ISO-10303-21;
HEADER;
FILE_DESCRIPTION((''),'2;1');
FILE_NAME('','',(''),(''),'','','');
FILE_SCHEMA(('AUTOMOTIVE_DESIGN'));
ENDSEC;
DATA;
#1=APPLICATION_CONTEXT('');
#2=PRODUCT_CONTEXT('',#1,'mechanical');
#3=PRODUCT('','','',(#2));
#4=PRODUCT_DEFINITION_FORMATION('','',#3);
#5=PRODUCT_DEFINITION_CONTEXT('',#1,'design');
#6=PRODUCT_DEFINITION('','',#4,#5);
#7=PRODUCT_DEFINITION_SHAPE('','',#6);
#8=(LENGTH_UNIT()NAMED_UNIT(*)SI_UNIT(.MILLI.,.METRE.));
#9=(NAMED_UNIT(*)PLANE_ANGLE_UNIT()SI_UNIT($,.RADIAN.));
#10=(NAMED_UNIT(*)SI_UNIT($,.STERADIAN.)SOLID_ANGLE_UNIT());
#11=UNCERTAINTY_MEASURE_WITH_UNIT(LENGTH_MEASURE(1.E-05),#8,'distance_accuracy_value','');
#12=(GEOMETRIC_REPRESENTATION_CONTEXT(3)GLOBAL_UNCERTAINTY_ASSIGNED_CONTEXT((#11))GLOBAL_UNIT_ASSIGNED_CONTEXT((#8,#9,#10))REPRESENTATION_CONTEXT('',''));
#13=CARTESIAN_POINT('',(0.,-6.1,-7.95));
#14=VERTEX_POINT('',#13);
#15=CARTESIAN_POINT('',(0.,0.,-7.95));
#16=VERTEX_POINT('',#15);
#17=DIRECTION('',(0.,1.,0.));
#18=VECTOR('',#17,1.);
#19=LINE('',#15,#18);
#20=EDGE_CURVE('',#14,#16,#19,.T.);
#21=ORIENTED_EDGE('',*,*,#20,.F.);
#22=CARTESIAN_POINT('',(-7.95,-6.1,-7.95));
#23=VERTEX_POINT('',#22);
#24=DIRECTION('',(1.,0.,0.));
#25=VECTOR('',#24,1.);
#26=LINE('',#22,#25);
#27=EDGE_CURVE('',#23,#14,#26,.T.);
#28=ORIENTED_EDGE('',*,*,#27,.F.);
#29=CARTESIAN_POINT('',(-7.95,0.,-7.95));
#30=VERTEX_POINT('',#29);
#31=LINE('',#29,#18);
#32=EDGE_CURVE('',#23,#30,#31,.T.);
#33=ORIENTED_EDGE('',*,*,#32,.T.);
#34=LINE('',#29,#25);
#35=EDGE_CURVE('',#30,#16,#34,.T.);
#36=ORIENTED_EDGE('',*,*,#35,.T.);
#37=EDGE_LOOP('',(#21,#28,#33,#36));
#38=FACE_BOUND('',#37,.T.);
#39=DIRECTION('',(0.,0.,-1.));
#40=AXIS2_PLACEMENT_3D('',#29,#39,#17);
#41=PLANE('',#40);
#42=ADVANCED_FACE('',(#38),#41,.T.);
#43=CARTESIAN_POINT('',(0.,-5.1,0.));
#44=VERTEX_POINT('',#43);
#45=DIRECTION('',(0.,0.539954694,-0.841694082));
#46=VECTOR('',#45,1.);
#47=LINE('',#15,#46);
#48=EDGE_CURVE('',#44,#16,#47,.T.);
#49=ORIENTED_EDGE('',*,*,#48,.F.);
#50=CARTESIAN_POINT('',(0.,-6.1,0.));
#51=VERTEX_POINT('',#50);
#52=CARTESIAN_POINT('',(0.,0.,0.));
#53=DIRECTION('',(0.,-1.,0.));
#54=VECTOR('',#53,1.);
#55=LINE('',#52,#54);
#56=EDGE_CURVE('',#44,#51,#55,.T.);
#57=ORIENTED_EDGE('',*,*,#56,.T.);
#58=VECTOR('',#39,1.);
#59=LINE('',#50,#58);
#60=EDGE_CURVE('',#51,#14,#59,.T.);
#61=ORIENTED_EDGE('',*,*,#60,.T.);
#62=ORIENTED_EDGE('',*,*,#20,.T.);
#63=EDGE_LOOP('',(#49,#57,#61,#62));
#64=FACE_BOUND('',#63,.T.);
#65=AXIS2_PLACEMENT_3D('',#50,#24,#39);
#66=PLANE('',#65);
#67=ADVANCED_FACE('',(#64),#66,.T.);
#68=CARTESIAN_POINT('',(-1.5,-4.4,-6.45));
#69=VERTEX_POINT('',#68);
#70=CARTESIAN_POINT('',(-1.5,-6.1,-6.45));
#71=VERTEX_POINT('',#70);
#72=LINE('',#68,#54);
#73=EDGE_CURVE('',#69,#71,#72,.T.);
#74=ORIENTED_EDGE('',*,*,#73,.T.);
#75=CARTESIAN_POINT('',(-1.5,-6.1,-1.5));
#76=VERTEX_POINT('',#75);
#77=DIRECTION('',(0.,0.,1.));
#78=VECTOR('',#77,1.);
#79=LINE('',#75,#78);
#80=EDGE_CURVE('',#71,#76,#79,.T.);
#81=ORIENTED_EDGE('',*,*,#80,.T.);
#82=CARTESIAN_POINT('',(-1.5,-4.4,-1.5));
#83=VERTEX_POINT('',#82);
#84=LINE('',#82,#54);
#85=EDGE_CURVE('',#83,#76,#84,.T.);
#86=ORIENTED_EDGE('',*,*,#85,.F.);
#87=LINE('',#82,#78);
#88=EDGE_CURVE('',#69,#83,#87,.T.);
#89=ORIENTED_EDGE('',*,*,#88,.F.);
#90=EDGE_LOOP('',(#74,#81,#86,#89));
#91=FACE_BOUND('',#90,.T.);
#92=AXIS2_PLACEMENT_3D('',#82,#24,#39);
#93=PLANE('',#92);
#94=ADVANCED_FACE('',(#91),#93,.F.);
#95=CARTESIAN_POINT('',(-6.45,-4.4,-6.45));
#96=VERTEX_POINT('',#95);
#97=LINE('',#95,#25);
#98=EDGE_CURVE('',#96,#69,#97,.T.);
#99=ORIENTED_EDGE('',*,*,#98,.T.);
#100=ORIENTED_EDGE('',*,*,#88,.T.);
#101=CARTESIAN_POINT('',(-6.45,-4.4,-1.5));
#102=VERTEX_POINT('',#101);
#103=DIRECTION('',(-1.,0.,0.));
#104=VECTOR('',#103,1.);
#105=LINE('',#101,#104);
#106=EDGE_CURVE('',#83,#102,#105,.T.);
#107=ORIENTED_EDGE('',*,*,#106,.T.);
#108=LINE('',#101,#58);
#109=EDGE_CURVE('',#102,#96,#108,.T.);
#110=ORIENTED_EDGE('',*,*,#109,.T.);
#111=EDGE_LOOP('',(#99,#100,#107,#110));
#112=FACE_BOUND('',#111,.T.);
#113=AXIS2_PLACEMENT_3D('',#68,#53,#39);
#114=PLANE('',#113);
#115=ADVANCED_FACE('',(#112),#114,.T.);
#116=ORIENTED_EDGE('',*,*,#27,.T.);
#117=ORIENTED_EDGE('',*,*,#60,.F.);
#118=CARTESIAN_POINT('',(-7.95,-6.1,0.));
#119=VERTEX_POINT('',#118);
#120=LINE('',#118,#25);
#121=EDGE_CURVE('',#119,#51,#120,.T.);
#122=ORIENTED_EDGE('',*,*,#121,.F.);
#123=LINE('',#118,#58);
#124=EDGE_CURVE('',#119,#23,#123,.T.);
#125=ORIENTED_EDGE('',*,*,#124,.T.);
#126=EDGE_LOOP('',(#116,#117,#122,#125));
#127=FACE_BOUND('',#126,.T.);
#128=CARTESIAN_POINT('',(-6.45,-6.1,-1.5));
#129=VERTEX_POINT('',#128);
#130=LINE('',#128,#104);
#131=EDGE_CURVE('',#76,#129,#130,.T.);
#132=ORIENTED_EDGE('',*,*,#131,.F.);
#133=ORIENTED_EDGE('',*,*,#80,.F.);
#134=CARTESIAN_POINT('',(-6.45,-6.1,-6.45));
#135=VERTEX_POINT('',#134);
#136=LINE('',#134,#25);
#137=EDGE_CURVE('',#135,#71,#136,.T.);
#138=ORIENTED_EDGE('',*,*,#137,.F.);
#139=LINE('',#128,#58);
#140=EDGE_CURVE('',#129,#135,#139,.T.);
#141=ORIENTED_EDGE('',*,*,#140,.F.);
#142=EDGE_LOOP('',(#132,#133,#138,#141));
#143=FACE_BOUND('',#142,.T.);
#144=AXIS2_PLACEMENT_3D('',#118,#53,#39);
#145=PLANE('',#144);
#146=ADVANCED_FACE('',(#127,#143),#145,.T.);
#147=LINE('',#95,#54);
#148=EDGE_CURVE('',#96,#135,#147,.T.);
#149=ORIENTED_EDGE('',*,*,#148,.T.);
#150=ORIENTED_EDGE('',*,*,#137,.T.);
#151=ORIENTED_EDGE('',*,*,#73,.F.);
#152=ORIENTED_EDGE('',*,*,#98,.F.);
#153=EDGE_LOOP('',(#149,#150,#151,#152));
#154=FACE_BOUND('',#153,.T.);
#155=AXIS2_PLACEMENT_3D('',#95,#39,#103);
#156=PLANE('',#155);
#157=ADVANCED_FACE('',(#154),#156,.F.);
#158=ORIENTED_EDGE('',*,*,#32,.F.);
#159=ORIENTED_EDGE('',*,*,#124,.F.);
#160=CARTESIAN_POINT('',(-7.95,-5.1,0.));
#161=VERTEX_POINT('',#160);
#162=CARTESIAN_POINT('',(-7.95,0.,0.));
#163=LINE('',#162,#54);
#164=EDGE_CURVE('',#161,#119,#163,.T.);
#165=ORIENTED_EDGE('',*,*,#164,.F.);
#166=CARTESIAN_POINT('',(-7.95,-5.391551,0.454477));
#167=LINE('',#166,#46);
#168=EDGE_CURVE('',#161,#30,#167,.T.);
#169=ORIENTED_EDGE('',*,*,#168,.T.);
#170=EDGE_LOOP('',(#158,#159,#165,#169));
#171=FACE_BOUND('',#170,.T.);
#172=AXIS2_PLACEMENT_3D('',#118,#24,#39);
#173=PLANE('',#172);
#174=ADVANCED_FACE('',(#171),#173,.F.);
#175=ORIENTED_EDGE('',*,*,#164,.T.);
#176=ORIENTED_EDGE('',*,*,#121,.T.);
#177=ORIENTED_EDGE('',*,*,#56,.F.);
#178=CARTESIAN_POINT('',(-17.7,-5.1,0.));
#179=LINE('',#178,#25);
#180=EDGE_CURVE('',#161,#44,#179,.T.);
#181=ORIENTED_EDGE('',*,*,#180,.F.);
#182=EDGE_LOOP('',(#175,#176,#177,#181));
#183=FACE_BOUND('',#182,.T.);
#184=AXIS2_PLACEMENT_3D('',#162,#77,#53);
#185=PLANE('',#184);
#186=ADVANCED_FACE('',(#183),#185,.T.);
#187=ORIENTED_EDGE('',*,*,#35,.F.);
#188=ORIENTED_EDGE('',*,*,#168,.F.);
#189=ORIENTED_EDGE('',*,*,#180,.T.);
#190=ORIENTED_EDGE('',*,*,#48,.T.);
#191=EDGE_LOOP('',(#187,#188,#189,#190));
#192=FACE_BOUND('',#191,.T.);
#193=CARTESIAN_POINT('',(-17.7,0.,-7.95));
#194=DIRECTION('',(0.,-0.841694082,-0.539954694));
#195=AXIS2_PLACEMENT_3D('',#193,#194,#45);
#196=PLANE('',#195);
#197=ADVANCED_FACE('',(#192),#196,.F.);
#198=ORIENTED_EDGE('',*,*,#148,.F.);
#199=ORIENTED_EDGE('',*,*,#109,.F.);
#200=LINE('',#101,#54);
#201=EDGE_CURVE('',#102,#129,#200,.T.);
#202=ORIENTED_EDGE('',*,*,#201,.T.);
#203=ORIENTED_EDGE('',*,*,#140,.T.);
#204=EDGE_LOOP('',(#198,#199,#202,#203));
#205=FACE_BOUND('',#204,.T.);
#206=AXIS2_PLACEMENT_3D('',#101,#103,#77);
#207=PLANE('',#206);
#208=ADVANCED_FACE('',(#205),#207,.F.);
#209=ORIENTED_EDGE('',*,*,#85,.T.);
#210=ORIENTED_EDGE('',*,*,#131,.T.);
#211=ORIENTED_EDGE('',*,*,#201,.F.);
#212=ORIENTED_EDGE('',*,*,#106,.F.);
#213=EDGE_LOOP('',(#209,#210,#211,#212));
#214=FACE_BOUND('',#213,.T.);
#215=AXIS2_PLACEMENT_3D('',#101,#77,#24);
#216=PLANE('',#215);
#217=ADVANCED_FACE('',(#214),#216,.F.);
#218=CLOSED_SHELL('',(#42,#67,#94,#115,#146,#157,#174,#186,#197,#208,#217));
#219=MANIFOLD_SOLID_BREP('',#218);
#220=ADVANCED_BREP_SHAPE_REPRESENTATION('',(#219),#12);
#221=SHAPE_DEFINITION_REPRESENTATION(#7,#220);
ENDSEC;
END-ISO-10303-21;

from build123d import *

# Parameters (mm, degrees)
SKETCH1_W           = 7.95
SKETCH1_H           = 6.1
BOSS_EXTRUDE1_DEPTH = 7.95
CUT_EXTRUDE1_DEPTH  = 17.7
SKETCH3_W           = 4.95
SKETCH3_H           = 4.95
CUT_EXTRUDE2_DEPTH  = 1.7


with BuildPart() as part:
    # Sketch1 → Boss-Extrude1 (new body)
    with BuildSketch(Plane(origin=(0, 0, 0), x_dir=(0, 0, -1), z_dir=(1, 0, 0))):
        with Locations((3.975, -3.05)):
            Rectangle(SKETCH1_W, SKETCH1_H)
    extrude(amount=-BOSS_EXTRUDE1_DEPTH)

    # Sketch2 → Cut-Extrude1 (cut)
    with BuildSketch(Plane(origin=(0, 0, 0), x_dir=(0, 0, -1), z_dir=(1, 0, 0))):
        Polygon((7.95, 0), (0, -5.1), (0, 0), align=None)
    extrude(amount=-CUT_EXTRUDE1_DEPTH, mode=Mode.SUBTRACT)

    # Sketch3 → Cut-Extrude2 (cut)
    with BuildSketch(Plane.XZ.offset(6.1)):
        with Locations((-3.975, -3.975)):
            Rectangle(SKETCH3_W, SKETCH3_H)
    extrude(amount=-CUT_EXTRUDE2_DEPTH, mode=Mode.SUBTRACT)


solid = part.part
